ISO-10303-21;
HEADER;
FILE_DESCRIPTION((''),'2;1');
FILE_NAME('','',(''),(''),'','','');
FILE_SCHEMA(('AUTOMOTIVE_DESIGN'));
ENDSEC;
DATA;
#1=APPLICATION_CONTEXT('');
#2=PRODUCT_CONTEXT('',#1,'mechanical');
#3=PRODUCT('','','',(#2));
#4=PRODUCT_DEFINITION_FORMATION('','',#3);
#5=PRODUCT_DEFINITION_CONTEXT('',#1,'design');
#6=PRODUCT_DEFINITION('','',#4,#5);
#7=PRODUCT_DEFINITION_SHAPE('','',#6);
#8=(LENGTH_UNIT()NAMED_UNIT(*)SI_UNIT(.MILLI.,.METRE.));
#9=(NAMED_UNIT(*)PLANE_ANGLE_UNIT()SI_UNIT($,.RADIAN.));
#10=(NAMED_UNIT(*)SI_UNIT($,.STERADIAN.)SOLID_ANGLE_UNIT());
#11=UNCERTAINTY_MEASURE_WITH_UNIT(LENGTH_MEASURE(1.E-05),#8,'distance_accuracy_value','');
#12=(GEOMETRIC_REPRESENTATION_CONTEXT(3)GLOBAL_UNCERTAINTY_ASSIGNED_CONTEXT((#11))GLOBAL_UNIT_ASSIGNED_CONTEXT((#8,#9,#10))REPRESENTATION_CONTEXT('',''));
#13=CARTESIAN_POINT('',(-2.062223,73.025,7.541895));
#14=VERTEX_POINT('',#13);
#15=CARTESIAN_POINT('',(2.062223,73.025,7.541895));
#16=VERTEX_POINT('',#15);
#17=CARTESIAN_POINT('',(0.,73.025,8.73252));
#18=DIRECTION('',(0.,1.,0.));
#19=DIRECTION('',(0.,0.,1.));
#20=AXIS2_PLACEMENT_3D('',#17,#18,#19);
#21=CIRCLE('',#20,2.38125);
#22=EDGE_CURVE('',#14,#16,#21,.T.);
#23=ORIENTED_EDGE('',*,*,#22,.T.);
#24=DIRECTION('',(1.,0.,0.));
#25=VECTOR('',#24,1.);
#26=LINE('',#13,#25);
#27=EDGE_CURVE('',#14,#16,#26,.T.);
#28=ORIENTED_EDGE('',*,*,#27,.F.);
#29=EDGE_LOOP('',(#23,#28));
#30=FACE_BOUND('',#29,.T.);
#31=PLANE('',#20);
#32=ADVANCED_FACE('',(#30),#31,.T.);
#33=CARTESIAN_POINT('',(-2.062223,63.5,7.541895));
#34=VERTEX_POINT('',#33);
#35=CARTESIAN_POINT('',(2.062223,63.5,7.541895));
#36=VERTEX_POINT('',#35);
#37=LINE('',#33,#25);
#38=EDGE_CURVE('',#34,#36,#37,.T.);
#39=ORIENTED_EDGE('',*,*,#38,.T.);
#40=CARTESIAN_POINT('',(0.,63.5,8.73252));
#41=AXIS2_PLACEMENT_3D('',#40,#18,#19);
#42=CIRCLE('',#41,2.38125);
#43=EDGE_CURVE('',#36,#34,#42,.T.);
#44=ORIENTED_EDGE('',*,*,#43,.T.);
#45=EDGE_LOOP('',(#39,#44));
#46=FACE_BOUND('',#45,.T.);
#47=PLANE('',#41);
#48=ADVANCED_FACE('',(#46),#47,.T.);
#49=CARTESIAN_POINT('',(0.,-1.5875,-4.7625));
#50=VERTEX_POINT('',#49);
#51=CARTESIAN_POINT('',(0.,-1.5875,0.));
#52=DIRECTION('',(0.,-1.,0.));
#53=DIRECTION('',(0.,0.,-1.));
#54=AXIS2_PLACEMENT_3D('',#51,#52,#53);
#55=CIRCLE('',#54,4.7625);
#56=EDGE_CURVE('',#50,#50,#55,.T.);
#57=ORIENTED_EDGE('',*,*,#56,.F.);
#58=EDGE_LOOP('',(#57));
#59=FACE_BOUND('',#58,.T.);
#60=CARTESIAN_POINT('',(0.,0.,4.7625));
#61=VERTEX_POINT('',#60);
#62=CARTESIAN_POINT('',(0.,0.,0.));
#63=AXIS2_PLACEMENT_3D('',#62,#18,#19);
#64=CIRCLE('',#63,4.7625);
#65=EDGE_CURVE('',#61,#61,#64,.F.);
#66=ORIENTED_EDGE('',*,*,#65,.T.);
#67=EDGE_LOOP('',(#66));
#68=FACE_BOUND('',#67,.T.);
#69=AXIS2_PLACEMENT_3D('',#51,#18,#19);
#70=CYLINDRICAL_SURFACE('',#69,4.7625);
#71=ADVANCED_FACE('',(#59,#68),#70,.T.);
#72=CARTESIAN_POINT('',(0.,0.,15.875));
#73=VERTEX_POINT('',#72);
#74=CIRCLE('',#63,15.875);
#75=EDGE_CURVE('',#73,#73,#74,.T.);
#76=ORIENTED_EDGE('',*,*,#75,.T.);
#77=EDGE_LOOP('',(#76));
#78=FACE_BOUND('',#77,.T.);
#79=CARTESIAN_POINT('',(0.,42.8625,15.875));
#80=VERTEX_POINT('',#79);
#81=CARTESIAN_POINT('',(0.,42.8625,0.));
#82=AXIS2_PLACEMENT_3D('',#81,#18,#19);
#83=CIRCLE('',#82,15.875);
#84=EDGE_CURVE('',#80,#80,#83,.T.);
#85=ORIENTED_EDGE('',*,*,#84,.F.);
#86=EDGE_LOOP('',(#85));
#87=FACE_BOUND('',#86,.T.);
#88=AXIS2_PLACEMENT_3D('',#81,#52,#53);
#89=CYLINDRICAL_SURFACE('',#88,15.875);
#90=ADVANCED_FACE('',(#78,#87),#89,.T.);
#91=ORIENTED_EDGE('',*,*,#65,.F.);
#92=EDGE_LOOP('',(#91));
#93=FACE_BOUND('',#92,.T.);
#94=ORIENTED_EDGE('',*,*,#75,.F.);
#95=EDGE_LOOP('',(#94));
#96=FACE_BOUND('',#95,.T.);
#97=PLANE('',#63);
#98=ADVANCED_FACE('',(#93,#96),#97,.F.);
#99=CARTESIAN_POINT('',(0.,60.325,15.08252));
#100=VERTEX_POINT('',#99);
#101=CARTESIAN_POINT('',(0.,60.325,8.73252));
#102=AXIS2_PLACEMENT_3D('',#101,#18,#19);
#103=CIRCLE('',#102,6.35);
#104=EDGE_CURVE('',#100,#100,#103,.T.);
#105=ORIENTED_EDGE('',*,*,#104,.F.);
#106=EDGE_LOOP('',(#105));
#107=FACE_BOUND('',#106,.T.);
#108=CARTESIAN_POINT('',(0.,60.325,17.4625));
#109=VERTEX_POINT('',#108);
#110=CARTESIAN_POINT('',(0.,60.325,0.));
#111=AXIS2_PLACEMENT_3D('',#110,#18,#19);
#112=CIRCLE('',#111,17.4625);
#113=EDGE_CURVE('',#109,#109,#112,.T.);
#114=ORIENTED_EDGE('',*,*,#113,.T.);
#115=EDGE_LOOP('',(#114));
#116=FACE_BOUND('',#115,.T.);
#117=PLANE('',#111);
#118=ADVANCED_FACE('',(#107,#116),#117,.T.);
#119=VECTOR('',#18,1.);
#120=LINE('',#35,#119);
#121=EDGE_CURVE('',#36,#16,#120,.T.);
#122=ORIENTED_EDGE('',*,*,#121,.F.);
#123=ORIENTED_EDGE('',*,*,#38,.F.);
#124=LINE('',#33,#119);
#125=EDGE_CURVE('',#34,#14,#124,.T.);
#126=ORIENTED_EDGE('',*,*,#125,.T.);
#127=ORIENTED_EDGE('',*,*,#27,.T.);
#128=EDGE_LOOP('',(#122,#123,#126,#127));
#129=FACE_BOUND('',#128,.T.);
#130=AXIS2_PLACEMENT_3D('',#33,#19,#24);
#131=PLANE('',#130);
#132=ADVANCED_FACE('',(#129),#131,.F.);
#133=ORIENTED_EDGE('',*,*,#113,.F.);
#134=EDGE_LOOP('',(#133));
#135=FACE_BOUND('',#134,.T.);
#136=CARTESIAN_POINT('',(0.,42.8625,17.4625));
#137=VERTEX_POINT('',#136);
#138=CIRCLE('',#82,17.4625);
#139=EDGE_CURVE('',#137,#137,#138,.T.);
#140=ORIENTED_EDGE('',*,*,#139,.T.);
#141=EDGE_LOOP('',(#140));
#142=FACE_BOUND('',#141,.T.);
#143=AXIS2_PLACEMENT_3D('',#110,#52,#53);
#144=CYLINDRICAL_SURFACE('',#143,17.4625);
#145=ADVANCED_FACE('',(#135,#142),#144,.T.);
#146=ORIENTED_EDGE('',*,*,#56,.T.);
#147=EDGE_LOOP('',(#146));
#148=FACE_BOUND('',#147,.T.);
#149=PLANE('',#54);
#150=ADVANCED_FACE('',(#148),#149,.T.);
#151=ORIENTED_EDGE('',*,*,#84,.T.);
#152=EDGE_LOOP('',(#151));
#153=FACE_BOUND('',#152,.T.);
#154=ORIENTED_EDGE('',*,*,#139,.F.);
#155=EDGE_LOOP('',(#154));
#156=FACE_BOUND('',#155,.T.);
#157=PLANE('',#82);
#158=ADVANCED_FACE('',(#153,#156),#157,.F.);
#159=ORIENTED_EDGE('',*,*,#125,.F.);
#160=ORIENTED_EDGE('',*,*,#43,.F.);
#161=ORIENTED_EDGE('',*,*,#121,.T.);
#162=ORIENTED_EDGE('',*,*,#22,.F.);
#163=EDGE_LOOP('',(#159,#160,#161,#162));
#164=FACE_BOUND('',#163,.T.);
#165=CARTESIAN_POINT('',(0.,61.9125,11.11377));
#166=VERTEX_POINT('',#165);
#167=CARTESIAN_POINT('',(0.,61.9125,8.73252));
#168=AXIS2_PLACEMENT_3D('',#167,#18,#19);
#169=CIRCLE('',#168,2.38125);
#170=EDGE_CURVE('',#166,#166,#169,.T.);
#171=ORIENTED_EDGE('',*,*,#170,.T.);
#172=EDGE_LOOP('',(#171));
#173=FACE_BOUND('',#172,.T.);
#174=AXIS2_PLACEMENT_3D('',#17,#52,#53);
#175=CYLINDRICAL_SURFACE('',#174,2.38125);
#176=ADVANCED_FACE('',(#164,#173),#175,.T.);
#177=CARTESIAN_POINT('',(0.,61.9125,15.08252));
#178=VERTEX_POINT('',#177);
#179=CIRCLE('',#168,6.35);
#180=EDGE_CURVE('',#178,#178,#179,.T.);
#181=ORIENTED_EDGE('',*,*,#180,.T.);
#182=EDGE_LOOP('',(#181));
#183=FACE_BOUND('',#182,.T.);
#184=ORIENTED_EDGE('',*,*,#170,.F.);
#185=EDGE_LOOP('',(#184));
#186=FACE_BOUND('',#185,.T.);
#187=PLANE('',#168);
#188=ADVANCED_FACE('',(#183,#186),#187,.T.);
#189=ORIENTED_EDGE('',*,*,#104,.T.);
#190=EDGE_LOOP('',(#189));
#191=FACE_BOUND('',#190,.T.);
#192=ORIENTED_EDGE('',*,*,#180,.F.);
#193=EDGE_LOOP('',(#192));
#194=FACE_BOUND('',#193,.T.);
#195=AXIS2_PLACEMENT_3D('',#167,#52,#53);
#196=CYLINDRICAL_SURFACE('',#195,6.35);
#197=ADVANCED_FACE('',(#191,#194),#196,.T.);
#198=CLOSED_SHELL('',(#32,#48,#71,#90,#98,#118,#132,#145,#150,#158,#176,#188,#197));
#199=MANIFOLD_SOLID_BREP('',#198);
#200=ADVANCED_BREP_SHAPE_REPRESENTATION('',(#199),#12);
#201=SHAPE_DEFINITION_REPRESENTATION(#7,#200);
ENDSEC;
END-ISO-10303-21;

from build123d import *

# Parameters (mm, degrees)
SKETCH1_R           = 15.875
BOSS_EXTRUDE1_DEPTH = 42.8625
SKETCH2_R           = 17.4625
BOSS_EXTRUDE2_DEPTH = 17.4625
SKETCH3_R           = 6.35
BOSS_EXTRUDE3_DEPTH = 1.5875
SKETCH4_R           = 2.38125
BOSS_EXTRUDE4_DEPTH = 11.1125
CUT_EXTRUDE1_START  = -9.525
CUT_EXTRUDE1_DEPTH  = 9.525
SKETCH6_R           = 4.7625
BOSS_EXTRUDE5_DEPTH = 1.5875


with BuildPart() as part:
    # Sketch1 → Boss-Extrude1 (new body)
    with BuildSketch(Plane(origin=(0, 0, 0), x_dir=(1, 0, 0), z_dir=(0, 1, 0))):
        with Locations(Location((0, 0, 0), (0, 0, 270))):
            Circle(SKETCH1_R)
    extrude(amount=BOSS_EXTRUDE1_DEPTH)

    # Sketch2 → Boss-Extrude2 (add)
    with BuildSketch(Plane(origin=(0, 42.8625, 0), x_dir=(1, 0, 0), z_dir=(0, 1, 0))):
        with Locations(Location((0, 0, 0), (0, 0, 270))):
            Circle(SKETCH2_R)
    extrude(amount=BOSS_EXTRUDE2_DEPTH)

    # Sketch3 → Boss-Extrude3 (add)
    with BuildSketch(Plane(origin=(0, 60.325, 0), x_dir=(1, 0, 0), z_dir=(0, 1, 0))):
        with Locations(Location((0, -8.73252, 0), (0, 0, 270))):
            Circle(SKETCH3_R)
    extrude(amount=BOSS_EXTRUDE3_DEPTH)

    # Sketch4 → Boss-Extrude4 (add)
    with BuildSketch(Plane(origin=(0, 61.9125, 0), x_dir=(1, 0, 0), z_dir=(0, 1, 0))):
        with Locations(Location((0, -8.73252, 0), (0, 0, 270))):
            Circle(SKETCH4_R)
    extrude(amount=BOSS_EXTRUDE4_DEPTH)

    # Sketch5 → Cut-Extrude1 (cut)
    with BuildSketch(Plane(origin=(0, 73.025, 0), x_dir=(1, 0, 0), z_dir=(0, 1, 0)).offset(CUT_EXTRUDE1_START)):
        with BuildLine():
            Line((-2.062222993, -7.541895), (2.062222993, -7.541895))
            ThreePointArc((2.062222993, -7.541895), (0, -6.35127), (-2.062222993, -7.541895))
        make_face()
    extrude(amount=CUT_EXTRUDE1_DEPTH, mode=Mode.SUBTRACT)

    # Sketch6 → Boss-Extrude5 (add)
    with BuildSketch(Plane.XZ):
        with Locations(Location((0, 0, 0), (0, 0, 90))):
            Circle(SKETCH6_R)
    extrude(amount=BOSS_EXTRUDE5_DEPTH)


solid = part.part
